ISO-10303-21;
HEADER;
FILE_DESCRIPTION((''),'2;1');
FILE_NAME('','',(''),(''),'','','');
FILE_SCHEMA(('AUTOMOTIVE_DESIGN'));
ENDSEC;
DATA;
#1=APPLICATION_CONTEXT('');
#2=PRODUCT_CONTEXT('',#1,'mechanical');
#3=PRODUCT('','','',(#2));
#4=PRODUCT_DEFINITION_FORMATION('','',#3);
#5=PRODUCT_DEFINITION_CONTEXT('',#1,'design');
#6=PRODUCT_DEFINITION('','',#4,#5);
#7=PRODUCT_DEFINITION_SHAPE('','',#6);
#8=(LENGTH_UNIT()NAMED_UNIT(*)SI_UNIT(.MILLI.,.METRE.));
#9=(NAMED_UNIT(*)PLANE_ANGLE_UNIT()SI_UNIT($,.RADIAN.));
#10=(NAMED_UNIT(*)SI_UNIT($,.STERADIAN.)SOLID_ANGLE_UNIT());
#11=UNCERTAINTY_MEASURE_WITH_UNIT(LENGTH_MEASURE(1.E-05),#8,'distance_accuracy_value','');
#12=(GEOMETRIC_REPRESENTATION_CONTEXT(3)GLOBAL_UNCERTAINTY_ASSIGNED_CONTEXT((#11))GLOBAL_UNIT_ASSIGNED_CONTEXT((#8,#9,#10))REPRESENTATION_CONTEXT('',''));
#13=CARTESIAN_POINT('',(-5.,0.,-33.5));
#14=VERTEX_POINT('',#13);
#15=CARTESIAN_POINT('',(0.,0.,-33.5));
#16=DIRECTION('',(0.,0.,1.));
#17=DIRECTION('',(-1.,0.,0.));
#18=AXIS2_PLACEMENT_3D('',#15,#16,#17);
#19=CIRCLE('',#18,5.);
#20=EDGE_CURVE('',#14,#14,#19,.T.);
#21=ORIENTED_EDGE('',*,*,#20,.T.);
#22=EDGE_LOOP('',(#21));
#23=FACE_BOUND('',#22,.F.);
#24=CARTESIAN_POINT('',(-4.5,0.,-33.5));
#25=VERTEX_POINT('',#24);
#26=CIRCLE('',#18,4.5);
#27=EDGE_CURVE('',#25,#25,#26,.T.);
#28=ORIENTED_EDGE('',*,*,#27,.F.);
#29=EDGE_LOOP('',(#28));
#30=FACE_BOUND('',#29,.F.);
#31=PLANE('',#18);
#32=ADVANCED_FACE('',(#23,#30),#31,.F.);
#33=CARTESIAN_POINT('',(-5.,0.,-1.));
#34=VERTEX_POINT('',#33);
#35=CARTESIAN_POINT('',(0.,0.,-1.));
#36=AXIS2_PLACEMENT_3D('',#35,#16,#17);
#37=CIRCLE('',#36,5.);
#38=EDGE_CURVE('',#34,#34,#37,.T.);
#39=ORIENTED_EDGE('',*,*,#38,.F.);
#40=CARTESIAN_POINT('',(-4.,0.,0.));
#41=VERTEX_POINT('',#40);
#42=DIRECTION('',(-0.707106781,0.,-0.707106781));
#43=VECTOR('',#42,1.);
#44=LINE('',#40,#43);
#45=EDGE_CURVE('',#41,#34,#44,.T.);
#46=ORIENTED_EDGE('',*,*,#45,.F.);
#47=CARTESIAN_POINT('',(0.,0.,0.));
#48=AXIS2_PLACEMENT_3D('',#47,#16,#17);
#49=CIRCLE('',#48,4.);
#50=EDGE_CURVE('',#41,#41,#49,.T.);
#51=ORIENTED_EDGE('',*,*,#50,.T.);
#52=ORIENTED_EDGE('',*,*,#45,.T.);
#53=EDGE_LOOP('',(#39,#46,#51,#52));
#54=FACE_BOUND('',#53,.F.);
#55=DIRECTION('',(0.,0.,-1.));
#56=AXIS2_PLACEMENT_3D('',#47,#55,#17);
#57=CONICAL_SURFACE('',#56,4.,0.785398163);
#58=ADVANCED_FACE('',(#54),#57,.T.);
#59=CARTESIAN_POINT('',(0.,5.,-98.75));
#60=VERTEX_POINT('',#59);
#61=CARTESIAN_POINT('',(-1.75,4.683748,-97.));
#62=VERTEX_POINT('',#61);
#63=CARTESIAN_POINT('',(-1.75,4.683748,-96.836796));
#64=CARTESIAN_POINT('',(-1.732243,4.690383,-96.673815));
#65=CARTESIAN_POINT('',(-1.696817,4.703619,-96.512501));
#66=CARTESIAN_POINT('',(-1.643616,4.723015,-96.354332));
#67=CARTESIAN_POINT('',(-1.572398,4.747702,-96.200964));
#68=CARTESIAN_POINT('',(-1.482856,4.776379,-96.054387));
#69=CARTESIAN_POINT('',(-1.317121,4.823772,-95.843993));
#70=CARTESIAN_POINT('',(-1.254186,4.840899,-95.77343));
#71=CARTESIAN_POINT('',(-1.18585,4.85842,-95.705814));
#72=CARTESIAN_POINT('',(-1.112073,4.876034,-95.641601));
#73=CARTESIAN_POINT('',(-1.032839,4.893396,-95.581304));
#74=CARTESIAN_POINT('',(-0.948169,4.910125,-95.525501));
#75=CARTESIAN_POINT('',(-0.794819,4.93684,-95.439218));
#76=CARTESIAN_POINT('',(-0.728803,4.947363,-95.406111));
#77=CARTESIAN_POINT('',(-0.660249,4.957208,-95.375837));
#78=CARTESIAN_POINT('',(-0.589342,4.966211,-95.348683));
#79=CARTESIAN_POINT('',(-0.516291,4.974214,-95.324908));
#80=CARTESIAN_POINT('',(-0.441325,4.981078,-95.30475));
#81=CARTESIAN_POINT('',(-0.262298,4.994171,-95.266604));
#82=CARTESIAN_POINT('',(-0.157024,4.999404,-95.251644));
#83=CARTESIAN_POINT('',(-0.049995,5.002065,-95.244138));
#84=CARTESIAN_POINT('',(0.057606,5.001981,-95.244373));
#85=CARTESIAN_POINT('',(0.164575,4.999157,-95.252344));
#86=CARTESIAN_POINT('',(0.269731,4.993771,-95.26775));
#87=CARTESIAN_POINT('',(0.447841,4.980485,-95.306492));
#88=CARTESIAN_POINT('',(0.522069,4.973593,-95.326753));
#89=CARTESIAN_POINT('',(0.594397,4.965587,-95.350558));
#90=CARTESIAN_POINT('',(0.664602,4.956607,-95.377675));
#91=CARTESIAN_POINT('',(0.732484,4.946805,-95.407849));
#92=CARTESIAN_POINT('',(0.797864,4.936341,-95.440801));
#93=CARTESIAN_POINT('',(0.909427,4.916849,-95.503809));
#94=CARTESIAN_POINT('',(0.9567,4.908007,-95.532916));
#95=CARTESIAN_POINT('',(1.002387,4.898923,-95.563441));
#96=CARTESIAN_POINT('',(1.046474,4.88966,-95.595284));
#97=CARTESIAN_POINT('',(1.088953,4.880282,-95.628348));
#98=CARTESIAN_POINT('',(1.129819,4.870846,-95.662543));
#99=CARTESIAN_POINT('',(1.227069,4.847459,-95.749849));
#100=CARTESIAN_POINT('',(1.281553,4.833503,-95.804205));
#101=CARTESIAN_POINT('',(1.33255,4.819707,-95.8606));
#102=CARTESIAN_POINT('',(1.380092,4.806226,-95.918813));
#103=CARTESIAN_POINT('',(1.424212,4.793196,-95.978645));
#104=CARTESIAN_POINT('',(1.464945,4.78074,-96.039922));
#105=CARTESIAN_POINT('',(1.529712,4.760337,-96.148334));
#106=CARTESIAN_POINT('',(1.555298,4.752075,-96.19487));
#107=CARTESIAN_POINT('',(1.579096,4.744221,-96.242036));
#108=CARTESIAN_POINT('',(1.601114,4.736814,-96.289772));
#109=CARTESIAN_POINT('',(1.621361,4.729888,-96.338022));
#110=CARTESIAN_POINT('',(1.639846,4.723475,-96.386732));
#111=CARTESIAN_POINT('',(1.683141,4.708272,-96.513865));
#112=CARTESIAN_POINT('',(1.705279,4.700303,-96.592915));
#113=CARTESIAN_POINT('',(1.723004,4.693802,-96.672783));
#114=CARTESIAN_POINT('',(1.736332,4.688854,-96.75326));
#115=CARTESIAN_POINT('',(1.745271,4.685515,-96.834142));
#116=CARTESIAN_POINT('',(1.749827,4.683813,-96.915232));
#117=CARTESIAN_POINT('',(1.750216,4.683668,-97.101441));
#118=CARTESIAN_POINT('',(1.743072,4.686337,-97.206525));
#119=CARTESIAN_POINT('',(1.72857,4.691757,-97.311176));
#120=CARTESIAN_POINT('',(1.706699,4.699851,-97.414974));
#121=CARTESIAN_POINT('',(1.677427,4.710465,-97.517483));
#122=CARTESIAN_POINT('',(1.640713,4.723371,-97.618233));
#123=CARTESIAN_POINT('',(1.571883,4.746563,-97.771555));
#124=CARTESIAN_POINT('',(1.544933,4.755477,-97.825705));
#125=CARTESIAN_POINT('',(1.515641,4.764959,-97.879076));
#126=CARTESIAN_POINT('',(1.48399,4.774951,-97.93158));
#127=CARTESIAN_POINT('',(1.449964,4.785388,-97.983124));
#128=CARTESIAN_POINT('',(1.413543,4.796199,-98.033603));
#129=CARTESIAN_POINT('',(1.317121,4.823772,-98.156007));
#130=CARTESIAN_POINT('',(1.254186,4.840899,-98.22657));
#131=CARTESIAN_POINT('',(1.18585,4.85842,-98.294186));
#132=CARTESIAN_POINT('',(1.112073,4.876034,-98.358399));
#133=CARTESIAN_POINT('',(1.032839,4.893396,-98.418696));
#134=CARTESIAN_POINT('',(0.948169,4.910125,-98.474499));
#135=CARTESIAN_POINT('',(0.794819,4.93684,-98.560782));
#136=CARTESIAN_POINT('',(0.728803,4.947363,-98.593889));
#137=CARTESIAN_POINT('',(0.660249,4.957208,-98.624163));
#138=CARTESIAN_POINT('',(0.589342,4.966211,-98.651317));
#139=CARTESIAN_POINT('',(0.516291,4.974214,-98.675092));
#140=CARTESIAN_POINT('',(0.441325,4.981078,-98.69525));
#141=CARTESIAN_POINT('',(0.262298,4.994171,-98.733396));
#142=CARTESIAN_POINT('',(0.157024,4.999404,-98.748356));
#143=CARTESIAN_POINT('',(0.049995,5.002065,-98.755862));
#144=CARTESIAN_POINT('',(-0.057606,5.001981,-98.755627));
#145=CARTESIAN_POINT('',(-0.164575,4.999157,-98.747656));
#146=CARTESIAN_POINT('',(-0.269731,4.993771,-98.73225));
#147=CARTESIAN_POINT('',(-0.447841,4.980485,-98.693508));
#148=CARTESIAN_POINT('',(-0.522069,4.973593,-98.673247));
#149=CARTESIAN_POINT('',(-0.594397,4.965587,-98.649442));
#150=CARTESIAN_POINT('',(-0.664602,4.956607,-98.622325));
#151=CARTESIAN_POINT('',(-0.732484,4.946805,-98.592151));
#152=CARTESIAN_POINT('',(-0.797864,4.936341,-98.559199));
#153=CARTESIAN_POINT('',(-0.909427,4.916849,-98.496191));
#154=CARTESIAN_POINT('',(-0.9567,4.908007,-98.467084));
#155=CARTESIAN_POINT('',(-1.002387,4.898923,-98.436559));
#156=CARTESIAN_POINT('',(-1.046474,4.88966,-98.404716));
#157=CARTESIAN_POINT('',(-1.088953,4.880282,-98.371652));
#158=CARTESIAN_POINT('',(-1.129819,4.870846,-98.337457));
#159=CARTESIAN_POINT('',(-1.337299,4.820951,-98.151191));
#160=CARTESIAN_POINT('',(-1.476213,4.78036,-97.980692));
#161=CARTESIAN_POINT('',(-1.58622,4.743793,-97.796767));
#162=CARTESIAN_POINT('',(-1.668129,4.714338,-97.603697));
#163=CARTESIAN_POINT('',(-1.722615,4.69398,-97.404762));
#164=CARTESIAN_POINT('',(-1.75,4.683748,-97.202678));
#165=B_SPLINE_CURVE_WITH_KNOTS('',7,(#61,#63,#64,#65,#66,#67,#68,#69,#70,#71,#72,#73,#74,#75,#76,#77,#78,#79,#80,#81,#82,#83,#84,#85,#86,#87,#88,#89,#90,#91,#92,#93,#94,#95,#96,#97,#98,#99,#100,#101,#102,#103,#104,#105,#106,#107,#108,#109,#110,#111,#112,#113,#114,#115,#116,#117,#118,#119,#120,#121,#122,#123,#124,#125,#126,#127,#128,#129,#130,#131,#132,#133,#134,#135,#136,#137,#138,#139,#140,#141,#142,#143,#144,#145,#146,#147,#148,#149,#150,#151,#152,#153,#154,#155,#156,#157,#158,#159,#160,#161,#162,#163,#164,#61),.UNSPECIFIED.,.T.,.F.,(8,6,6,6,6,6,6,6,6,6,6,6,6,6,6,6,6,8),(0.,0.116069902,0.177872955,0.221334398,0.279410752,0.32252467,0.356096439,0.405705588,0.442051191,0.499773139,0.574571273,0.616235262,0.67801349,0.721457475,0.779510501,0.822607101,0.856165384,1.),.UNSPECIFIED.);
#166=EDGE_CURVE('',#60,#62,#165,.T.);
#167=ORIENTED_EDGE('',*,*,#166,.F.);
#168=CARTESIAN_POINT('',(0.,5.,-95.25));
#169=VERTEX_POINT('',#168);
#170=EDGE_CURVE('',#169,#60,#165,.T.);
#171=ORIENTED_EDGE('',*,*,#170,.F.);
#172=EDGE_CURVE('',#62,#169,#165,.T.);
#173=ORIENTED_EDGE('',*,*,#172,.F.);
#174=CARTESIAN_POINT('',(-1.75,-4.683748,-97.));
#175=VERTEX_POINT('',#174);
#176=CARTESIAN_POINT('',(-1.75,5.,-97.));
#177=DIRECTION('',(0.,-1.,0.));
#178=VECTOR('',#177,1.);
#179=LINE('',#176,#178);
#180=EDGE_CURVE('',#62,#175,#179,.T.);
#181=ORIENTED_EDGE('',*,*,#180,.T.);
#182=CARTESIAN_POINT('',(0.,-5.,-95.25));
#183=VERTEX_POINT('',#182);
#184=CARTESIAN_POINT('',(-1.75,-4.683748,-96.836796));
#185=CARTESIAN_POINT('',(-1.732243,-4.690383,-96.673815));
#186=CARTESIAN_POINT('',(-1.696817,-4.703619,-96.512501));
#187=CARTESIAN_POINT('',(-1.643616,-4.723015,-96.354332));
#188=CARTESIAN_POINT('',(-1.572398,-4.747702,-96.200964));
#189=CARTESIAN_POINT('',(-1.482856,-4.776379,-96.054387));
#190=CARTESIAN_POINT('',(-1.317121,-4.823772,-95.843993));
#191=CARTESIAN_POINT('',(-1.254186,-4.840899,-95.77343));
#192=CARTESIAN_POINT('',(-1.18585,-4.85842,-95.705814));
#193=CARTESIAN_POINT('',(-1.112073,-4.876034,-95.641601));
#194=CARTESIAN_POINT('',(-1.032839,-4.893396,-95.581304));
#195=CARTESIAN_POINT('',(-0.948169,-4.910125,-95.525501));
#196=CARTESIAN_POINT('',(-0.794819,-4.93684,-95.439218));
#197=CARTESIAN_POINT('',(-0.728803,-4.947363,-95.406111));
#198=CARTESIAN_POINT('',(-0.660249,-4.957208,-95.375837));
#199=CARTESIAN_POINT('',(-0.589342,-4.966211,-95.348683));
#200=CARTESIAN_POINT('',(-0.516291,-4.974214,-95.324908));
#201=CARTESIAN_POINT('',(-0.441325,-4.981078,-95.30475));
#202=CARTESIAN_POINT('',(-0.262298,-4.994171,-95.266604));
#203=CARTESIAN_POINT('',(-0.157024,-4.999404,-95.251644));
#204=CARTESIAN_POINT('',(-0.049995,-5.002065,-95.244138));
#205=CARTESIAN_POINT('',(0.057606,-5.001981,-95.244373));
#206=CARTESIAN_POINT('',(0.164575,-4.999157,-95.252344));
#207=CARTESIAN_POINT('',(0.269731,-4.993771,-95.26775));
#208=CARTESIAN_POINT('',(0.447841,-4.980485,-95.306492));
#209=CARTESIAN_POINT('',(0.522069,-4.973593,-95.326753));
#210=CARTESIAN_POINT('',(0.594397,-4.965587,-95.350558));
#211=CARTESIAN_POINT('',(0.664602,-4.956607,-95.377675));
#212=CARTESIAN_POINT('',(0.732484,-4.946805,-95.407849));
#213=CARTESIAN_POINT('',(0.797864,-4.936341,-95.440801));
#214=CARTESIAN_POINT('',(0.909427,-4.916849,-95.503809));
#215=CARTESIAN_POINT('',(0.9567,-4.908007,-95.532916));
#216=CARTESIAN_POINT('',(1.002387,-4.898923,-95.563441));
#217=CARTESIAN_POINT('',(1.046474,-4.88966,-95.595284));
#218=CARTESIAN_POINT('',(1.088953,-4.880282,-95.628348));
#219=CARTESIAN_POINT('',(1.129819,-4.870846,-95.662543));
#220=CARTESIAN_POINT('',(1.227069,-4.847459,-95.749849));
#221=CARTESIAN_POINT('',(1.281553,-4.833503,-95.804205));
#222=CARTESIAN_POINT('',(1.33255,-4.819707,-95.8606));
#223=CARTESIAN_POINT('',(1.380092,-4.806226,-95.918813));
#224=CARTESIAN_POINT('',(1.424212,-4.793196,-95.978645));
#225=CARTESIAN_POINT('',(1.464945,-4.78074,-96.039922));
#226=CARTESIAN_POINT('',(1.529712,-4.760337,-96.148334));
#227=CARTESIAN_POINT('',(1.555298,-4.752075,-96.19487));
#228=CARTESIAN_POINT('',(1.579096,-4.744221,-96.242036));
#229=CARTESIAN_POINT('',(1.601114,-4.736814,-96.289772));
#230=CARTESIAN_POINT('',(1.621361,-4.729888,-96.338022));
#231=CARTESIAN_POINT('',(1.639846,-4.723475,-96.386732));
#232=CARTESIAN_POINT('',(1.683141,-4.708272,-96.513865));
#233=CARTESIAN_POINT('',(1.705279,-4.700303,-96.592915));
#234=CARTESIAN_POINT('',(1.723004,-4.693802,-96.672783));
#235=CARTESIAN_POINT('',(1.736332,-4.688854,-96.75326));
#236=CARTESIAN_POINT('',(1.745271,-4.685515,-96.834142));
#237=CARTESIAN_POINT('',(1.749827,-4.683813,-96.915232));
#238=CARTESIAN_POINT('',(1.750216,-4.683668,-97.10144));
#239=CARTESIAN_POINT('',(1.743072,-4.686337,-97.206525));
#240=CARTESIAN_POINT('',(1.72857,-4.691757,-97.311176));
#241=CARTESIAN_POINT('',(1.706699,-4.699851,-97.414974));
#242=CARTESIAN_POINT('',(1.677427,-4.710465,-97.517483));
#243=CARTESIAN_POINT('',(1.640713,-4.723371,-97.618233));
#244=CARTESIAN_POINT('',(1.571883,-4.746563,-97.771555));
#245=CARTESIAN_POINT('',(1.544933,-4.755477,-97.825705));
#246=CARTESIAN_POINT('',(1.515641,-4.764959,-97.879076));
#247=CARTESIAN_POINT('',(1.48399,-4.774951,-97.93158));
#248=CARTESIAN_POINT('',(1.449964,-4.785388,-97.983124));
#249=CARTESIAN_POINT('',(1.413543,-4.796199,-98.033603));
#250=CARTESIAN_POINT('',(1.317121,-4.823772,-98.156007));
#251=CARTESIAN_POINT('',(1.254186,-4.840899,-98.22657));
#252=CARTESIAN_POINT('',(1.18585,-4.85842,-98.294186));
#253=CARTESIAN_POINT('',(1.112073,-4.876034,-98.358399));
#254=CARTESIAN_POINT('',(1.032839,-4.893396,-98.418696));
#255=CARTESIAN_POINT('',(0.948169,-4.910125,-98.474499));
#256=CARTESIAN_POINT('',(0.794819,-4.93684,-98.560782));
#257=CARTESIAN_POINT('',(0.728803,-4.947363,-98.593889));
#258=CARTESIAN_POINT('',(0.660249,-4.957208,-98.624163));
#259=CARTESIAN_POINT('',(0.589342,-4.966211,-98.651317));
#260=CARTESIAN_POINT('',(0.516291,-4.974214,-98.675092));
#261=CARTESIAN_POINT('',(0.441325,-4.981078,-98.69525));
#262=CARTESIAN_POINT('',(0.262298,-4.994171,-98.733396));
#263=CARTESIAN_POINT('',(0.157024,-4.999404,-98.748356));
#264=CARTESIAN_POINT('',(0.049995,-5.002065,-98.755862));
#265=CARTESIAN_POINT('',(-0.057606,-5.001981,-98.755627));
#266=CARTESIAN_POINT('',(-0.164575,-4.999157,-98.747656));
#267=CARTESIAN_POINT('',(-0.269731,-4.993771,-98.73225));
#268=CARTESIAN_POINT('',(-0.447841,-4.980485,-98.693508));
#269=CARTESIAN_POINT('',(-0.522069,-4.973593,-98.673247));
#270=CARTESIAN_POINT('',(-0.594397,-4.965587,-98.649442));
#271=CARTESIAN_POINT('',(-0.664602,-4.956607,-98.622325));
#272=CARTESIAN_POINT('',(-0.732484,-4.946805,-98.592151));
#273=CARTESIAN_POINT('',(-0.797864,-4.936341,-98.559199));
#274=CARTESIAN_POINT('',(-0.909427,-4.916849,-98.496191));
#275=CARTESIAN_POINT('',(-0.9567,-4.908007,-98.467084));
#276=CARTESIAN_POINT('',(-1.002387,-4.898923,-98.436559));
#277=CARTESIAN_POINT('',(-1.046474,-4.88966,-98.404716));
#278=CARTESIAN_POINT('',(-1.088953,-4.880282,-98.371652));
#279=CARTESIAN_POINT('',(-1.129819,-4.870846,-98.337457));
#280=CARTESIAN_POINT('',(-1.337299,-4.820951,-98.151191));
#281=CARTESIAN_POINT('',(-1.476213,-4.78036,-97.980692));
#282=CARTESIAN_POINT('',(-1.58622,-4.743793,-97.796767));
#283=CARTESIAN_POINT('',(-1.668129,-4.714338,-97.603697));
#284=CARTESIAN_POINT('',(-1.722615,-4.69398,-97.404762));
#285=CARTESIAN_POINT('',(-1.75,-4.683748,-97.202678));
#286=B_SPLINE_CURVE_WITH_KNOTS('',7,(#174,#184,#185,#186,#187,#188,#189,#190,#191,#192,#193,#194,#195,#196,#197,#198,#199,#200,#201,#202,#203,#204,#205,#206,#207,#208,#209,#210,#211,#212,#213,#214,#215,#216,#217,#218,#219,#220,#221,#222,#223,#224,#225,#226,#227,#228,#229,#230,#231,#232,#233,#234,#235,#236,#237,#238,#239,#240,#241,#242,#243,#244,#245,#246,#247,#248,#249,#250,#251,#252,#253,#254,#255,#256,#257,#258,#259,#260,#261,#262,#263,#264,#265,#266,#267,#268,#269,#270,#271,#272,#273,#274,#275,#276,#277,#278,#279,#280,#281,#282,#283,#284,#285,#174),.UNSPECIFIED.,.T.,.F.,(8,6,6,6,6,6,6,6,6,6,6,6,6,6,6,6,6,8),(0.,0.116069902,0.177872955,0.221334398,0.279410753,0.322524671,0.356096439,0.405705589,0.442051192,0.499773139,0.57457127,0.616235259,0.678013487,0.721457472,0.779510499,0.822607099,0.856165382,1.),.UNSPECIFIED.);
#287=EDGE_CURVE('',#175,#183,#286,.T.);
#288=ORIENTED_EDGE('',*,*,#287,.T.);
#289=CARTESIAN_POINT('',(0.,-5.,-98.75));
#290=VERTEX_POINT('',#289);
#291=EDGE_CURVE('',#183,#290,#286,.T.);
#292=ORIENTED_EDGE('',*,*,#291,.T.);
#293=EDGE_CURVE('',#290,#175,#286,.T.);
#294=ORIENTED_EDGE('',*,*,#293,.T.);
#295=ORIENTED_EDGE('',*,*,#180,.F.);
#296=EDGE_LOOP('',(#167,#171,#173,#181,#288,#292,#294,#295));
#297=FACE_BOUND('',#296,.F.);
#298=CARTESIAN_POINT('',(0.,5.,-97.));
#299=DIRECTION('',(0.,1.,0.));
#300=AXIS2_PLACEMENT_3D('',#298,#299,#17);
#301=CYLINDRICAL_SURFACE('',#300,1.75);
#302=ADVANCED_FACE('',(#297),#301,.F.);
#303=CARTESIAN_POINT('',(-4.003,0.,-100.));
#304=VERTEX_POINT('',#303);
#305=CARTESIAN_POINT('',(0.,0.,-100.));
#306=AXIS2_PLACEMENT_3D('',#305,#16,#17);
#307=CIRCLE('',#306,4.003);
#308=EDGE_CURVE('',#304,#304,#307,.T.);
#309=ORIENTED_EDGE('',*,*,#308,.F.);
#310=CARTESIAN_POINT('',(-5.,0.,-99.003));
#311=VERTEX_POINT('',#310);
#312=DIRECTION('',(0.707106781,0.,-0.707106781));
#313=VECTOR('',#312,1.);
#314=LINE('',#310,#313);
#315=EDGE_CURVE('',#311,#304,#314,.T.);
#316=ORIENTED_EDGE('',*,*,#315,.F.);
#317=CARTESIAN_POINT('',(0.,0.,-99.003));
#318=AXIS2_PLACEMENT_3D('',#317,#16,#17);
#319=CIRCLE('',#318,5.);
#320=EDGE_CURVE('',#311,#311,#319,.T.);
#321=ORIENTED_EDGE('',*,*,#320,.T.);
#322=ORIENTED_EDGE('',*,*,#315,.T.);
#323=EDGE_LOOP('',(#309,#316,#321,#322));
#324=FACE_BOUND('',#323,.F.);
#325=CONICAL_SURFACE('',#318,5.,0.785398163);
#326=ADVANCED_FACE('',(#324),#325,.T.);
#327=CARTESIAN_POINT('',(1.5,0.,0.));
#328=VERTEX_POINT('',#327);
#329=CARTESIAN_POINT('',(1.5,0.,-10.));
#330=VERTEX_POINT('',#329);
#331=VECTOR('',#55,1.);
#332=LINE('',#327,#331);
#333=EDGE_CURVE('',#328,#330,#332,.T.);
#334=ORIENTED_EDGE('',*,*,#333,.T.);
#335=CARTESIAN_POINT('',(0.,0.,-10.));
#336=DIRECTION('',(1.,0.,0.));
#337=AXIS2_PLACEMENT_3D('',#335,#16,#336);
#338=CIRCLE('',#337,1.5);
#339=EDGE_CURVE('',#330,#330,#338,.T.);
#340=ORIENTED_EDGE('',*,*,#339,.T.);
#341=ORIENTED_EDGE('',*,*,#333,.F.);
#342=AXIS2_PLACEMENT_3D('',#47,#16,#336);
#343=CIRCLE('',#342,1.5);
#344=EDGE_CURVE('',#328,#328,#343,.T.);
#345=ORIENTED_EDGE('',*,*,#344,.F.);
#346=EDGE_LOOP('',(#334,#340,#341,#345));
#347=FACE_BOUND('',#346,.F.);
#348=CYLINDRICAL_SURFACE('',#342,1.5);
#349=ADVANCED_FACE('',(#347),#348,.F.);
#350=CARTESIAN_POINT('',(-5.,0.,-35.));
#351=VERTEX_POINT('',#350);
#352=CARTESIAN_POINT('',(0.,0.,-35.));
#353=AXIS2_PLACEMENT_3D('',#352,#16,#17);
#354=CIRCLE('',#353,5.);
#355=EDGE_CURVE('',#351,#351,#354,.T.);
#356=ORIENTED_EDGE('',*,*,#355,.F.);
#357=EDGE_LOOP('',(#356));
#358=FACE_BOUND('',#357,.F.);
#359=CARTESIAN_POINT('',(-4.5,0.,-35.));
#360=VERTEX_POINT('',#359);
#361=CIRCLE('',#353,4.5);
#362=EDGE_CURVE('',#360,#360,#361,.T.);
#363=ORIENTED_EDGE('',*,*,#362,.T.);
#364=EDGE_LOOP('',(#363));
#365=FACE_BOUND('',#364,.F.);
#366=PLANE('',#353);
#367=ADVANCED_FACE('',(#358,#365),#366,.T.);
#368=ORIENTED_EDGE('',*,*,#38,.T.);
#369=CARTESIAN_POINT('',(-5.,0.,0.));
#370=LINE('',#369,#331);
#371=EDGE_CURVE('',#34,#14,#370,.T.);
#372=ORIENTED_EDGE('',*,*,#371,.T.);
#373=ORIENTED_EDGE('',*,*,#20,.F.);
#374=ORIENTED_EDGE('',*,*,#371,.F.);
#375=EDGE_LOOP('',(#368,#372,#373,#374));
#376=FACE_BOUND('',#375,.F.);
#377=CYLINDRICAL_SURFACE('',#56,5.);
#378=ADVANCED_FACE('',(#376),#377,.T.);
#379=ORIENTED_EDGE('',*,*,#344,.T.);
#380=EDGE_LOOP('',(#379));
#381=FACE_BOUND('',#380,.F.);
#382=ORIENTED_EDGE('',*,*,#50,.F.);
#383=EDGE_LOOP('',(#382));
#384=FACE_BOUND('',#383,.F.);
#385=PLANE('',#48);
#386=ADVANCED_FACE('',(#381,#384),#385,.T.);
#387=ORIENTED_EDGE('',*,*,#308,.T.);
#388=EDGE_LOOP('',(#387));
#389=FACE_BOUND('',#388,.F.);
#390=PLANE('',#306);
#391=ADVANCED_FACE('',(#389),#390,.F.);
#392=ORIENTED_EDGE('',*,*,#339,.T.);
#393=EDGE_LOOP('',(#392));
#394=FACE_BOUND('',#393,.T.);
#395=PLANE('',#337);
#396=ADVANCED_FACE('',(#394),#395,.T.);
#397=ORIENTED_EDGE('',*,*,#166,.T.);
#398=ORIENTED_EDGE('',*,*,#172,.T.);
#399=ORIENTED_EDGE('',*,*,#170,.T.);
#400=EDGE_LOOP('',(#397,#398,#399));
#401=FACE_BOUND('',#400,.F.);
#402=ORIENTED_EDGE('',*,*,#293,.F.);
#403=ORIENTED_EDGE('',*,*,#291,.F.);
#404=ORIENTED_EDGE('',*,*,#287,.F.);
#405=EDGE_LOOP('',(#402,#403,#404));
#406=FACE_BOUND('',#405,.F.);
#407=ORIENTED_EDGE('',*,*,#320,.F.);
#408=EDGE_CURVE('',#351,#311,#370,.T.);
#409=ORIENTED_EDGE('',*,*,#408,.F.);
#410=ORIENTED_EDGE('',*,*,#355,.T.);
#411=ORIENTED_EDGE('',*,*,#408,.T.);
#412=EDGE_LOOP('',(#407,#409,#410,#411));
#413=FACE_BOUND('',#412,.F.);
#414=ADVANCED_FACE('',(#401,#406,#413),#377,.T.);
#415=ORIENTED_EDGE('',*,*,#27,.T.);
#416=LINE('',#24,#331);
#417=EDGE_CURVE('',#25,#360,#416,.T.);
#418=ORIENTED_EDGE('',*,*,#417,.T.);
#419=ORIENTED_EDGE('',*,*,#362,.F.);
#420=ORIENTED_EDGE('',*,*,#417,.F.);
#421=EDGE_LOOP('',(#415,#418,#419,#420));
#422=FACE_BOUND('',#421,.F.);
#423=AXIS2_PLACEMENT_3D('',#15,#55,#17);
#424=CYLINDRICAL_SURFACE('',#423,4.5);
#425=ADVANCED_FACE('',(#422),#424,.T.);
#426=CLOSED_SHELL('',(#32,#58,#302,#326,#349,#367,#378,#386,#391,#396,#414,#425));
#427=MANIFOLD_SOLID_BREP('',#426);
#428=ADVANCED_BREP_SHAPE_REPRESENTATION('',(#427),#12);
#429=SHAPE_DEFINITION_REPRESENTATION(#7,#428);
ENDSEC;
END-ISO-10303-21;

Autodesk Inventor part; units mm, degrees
ref_plane "YZ Plane" through (0, 0, 0) normal (1, 0, 0) x (0, 1, 0)
ref_plane "XY Plane" through (0, 0, 0) normal (0, 0, 1) x (1, 0, 0)
sketch "Sketch1" plane through (0, 0, 0) normal (0, 1, 0) x (-1, 0, 0)
  line L0 (0, 0) -> (5, 0)
  line L1 (5, 0) -> (5, -100)
  line L2 (5, -100) -> (0, -100)
  line L3 (0, -100) -> (0, 0)
  line L4 (5, -33.5) -> (4.5, -33.5)
  line L5 (4.5, -33.5) -> (4.5, -35)
  line L6 (4.5, -35) -> (5, -35)
  line L7 (5, -35) -> (5, -33.5)
  line L8 (5, -90) -> (0, -90) construction
  line L9 (5, -99.003) -> (4.003, -100)
  line L10 (4, 0) -> (5, -1)
  dimension "d0" = 5
  dimension "d1" = 100
  dimension "d2" = 1.5
  dimension "d3" = 0.5
  dimension "d4" = 135
  dimension "d5" = 10
  dimension "d6" = 55
  dimension "d7" = 1.41
  dimension "d8" = 45
  dimension "d9" = 1.4142
revolve "Revolution1" add sketch "Sketch1" angle 360 about axis through (0, 0, -100) along (0, 0, 1) contours L0 L10 L1 L4 L5 L6 L9 L2 L3
ref_plane "Work Plane1" through (0, 5, -67.0015) normal (0, 1, 0) x (-1, 0, 0)
sketch "Sketch2" plane through (0, 5, -67.0015) normal (0, 1, 0) x (-1, 0, 0)
  circle A0 centre (0, -29.9985) radius 1.75
  line L0 (-4.003, -32.9985) -> (4.003, -32.9985) projected
  point P0 (0, 67.0015)
  dimension "d11" = 3.5
  dimension "d12" = 3
extrude "Extrusion1" cut sketch "Sketch2" against normal blind 10
sketch "Sketch3" plane through (0, 0, 0) normal (0, 0, 1) x (1, 0, 0)
  circle A0 centre (0, 0) radius 1.5
  dimension "d15" = 3
extrude "Extrusion2" cut sketch "Sketch3" against normal blind 10
thread "Thread1" size "M3x0.5" class "6H" standard "ANSI Metric M Profile" length 10
properties part number "10mmPins"
